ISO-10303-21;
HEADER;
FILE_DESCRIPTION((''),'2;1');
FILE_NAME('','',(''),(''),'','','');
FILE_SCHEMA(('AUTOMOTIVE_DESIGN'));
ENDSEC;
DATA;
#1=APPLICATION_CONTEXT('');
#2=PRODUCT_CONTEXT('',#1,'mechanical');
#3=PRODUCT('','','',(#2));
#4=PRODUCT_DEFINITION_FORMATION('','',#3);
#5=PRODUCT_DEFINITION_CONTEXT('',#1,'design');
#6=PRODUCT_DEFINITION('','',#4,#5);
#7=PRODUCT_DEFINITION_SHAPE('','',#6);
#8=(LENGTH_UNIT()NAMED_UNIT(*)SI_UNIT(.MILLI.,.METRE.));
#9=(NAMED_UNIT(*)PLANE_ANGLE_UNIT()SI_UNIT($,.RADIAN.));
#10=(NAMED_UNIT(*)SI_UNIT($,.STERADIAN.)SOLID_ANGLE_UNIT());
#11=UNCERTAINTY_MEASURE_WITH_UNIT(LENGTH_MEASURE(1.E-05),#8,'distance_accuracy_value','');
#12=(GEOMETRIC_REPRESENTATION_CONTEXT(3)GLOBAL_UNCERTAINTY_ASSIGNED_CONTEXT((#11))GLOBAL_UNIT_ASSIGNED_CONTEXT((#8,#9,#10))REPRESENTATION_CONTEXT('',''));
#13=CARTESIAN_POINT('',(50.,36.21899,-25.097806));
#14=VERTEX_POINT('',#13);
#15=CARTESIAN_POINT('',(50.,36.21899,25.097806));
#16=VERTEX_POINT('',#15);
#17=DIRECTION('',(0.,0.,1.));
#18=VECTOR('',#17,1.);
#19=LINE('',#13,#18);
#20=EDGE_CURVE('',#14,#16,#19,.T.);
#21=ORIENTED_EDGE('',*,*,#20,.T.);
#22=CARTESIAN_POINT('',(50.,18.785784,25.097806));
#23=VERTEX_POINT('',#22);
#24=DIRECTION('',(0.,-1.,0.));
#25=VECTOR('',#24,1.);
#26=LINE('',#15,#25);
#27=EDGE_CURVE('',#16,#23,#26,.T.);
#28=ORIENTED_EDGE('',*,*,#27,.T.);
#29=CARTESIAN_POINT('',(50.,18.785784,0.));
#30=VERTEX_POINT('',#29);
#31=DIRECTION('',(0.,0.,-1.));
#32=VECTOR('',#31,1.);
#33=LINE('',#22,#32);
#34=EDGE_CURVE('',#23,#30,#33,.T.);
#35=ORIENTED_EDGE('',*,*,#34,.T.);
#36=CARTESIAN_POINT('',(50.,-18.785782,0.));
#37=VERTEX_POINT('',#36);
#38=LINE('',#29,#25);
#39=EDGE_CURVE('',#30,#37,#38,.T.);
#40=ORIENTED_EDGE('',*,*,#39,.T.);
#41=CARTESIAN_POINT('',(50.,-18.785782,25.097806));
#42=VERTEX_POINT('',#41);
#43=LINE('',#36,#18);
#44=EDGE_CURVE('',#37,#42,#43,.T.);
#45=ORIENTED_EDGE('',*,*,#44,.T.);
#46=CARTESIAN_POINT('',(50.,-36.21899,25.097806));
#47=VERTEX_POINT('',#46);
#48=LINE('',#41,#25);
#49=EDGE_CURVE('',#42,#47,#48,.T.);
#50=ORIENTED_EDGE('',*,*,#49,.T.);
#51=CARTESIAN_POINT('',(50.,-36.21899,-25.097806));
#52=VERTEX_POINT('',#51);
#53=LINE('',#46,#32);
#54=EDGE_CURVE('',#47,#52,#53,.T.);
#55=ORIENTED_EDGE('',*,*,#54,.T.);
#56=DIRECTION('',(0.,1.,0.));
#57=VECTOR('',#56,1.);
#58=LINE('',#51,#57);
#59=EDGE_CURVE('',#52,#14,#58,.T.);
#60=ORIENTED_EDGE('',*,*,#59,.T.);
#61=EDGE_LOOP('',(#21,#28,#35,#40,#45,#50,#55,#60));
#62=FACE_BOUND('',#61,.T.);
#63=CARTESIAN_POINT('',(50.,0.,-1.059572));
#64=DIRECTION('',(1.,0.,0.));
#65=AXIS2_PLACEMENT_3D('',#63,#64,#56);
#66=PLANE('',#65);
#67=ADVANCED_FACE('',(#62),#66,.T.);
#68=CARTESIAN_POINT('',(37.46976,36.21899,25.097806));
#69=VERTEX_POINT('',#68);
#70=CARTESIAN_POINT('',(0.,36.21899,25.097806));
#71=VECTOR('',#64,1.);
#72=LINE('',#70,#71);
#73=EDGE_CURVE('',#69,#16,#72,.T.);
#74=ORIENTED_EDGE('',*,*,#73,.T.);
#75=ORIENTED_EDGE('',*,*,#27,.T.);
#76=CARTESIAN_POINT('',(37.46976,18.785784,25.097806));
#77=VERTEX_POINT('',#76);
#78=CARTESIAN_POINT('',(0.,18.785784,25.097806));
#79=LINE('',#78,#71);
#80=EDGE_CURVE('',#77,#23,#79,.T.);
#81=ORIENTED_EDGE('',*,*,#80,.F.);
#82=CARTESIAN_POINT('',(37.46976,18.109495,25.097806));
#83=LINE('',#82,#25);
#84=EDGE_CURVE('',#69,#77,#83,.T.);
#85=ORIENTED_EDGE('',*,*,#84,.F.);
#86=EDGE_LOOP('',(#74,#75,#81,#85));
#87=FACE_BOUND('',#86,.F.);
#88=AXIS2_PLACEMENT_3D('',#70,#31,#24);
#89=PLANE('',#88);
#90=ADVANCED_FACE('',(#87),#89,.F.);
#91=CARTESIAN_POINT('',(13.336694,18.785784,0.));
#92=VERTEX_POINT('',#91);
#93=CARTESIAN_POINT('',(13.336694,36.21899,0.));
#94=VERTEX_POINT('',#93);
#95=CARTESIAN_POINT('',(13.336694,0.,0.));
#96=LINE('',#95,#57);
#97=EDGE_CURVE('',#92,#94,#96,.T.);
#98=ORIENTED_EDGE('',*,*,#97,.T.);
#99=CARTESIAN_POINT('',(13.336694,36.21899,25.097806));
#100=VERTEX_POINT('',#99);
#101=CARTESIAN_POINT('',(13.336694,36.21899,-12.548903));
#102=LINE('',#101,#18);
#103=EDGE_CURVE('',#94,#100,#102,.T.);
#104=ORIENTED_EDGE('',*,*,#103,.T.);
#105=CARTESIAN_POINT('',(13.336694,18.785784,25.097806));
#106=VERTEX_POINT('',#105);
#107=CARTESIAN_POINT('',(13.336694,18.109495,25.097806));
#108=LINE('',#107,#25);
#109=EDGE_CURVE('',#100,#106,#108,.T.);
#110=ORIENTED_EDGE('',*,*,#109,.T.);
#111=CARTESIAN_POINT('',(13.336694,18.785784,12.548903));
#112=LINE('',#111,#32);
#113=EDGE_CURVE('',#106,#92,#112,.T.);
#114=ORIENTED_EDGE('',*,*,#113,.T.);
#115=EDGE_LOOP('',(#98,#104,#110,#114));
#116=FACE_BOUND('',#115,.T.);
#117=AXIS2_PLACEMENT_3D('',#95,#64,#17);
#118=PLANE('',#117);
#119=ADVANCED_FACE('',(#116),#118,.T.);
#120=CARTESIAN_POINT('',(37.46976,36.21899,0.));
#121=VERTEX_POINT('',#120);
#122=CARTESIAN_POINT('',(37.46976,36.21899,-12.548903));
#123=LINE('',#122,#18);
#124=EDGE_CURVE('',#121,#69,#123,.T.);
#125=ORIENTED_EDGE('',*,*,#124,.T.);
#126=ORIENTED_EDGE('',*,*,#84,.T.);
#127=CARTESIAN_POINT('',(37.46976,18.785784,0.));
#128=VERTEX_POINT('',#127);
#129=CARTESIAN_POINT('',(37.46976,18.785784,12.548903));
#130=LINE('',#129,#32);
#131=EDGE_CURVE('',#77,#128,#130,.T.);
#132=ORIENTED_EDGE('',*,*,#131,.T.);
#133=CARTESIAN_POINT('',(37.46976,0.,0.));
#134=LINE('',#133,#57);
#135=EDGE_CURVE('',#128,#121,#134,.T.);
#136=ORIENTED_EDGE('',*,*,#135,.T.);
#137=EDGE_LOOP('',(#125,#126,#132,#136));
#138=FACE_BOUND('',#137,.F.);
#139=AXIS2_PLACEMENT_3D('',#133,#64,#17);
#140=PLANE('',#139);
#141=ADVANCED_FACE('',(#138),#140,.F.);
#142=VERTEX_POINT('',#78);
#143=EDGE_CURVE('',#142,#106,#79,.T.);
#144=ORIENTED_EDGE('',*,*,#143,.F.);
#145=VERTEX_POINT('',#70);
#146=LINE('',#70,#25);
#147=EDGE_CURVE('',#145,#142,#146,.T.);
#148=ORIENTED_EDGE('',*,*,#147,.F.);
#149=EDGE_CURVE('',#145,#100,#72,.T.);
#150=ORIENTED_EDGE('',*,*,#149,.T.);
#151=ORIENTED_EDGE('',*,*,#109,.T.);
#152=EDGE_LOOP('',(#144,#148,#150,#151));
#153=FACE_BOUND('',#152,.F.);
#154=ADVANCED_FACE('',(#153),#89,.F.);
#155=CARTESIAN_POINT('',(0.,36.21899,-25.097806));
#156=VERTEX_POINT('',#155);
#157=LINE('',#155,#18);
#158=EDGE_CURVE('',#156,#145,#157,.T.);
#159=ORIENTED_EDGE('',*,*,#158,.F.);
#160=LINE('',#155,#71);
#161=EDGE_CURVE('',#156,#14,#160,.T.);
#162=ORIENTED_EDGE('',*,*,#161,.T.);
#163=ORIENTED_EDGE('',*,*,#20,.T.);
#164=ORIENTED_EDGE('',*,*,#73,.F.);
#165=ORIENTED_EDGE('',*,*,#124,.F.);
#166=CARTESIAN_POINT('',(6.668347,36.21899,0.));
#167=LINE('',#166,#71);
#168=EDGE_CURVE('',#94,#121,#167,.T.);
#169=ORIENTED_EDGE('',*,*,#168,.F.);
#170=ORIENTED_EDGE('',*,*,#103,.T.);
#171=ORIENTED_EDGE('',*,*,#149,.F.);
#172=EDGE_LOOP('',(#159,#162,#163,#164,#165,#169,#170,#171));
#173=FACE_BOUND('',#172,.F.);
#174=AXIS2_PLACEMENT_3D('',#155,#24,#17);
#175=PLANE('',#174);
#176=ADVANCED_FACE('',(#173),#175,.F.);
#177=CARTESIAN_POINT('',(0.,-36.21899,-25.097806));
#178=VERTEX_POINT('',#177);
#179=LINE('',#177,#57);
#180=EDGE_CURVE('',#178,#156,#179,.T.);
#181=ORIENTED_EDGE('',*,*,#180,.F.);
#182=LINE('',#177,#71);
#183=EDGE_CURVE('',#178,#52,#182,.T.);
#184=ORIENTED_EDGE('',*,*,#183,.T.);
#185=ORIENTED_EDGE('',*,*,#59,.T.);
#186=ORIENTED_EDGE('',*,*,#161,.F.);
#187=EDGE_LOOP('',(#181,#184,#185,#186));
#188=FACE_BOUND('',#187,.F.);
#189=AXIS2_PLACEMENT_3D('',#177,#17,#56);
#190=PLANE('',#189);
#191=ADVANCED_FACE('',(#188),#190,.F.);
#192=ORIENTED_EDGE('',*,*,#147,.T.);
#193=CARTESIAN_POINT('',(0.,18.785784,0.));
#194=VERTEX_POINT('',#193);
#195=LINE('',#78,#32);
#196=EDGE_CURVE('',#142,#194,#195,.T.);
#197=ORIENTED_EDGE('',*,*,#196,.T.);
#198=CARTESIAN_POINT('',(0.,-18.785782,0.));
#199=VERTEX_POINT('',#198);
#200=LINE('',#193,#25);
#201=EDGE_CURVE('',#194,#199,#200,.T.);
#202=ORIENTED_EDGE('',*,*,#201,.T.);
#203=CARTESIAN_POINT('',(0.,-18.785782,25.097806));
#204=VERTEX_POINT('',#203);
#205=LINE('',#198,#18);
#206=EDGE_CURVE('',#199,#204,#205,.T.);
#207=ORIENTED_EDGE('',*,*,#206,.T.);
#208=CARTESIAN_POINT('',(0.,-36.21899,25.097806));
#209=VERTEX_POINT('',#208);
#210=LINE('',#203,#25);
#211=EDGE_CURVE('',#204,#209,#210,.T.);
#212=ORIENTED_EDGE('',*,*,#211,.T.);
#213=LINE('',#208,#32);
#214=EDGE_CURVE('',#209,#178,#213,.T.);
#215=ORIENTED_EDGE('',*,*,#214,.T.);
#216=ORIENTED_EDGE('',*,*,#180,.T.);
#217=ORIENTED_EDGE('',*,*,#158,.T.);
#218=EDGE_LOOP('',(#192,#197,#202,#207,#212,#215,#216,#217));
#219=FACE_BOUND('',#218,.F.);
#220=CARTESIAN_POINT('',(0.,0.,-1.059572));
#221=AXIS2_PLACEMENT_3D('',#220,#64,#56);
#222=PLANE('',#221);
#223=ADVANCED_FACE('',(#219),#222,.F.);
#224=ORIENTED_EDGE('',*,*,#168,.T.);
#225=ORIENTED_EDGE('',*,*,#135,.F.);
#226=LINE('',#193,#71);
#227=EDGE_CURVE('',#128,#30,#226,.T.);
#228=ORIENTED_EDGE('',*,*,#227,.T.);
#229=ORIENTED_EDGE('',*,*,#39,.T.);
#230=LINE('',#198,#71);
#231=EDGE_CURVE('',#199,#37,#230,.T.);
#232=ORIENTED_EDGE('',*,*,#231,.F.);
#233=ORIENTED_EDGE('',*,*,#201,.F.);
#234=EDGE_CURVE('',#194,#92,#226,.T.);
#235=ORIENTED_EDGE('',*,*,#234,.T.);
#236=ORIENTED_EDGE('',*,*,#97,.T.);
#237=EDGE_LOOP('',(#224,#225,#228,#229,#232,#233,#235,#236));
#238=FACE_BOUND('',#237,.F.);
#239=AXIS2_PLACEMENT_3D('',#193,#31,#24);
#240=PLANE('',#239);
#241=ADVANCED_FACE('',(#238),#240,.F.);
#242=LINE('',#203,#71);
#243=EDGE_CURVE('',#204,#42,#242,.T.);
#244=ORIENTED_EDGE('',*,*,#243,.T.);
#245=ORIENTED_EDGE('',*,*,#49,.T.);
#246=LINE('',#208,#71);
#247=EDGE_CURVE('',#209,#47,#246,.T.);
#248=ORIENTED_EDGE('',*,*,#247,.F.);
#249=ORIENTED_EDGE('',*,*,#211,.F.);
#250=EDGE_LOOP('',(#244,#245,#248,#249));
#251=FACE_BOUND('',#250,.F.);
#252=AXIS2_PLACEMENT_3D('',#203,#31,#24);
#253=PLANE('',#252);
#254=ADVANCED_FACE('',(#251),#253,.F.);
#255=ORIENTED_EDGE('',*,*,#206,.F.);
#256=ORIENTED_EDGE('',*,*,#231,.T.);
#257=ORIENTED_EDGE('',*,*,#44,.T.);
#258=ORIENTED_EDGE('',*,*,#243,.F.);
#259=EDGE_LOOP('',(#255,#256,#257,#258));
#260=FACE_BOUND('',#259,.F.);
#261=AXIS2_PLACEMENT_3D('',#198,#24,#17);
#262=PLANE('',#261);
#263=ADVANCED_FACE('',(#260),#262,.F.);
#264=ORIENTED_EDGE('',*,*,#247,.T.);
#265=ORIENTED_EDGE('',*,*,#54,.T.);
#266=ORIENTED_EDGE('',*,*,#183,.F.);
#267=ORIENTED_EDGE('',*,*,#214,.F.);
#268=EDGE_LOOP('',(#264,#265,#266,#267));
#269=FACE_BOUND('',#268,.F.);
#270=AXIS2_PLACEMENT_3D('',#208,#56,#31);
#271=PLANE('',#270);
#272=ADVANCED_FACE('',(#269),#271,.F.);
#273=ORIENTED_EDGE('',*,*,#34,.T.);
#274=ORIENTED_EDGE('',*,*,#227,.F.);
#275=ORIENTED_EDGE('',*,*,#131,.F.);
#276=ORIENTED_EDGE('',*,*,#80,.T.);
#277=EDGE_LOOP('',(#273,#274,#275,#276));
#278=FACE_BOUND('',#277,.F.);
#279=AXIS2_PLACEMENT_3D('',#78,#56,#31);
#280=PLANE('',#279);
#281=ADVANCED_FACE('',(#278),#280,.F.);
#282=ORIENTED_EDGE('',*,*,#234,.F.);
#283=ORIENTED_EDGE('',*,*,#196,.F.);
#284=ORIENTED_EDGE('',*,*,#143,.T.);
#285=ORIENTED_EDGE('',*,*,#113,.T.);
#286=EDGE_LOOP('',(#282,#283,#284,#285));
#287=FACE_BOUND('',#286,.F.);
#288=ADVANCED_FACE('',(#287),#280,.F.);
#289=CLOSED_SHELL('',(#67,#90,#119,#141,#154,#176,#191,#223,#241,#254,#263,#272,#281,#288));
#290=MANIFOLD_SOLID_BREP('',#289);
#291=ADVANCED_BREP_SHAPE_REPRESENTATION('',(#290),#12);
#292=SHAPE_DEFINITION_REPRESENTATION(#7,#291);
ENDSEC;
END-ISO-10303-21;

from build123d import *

# Parameters (mm, degrees)
F1_DEPTH = 50
F2_W     = 24.133066
F2_H     = 28.324598
F3_DEPTH = 100


with BuildPart() as f1:
    # F0 (on Right) → F1 (new body)
    with BuildSketch(Plane.YZ):
        Polygon((-18.785782, 25.097806), (-36.21899, 25.097806), (-36.21899, -25.097806), (36.21899, -25.097806), (36.21899, 25.097806), (18.785784, 25.097806), (18.785784, 0), (-18.785782, 0), align=None)
    extrude(amount=F1_DEPTH)

    # F2 (on Front) → F3 (cut)
    with BuildSketch(Plane.XZ):
        with Locations((25.403227, 14.162299)):
            Rectangle(F2_W, F2_H)
    extrude(amount=-F3_DEPTH, mode=Mode.SUBTRACT)


solid = f1.part
